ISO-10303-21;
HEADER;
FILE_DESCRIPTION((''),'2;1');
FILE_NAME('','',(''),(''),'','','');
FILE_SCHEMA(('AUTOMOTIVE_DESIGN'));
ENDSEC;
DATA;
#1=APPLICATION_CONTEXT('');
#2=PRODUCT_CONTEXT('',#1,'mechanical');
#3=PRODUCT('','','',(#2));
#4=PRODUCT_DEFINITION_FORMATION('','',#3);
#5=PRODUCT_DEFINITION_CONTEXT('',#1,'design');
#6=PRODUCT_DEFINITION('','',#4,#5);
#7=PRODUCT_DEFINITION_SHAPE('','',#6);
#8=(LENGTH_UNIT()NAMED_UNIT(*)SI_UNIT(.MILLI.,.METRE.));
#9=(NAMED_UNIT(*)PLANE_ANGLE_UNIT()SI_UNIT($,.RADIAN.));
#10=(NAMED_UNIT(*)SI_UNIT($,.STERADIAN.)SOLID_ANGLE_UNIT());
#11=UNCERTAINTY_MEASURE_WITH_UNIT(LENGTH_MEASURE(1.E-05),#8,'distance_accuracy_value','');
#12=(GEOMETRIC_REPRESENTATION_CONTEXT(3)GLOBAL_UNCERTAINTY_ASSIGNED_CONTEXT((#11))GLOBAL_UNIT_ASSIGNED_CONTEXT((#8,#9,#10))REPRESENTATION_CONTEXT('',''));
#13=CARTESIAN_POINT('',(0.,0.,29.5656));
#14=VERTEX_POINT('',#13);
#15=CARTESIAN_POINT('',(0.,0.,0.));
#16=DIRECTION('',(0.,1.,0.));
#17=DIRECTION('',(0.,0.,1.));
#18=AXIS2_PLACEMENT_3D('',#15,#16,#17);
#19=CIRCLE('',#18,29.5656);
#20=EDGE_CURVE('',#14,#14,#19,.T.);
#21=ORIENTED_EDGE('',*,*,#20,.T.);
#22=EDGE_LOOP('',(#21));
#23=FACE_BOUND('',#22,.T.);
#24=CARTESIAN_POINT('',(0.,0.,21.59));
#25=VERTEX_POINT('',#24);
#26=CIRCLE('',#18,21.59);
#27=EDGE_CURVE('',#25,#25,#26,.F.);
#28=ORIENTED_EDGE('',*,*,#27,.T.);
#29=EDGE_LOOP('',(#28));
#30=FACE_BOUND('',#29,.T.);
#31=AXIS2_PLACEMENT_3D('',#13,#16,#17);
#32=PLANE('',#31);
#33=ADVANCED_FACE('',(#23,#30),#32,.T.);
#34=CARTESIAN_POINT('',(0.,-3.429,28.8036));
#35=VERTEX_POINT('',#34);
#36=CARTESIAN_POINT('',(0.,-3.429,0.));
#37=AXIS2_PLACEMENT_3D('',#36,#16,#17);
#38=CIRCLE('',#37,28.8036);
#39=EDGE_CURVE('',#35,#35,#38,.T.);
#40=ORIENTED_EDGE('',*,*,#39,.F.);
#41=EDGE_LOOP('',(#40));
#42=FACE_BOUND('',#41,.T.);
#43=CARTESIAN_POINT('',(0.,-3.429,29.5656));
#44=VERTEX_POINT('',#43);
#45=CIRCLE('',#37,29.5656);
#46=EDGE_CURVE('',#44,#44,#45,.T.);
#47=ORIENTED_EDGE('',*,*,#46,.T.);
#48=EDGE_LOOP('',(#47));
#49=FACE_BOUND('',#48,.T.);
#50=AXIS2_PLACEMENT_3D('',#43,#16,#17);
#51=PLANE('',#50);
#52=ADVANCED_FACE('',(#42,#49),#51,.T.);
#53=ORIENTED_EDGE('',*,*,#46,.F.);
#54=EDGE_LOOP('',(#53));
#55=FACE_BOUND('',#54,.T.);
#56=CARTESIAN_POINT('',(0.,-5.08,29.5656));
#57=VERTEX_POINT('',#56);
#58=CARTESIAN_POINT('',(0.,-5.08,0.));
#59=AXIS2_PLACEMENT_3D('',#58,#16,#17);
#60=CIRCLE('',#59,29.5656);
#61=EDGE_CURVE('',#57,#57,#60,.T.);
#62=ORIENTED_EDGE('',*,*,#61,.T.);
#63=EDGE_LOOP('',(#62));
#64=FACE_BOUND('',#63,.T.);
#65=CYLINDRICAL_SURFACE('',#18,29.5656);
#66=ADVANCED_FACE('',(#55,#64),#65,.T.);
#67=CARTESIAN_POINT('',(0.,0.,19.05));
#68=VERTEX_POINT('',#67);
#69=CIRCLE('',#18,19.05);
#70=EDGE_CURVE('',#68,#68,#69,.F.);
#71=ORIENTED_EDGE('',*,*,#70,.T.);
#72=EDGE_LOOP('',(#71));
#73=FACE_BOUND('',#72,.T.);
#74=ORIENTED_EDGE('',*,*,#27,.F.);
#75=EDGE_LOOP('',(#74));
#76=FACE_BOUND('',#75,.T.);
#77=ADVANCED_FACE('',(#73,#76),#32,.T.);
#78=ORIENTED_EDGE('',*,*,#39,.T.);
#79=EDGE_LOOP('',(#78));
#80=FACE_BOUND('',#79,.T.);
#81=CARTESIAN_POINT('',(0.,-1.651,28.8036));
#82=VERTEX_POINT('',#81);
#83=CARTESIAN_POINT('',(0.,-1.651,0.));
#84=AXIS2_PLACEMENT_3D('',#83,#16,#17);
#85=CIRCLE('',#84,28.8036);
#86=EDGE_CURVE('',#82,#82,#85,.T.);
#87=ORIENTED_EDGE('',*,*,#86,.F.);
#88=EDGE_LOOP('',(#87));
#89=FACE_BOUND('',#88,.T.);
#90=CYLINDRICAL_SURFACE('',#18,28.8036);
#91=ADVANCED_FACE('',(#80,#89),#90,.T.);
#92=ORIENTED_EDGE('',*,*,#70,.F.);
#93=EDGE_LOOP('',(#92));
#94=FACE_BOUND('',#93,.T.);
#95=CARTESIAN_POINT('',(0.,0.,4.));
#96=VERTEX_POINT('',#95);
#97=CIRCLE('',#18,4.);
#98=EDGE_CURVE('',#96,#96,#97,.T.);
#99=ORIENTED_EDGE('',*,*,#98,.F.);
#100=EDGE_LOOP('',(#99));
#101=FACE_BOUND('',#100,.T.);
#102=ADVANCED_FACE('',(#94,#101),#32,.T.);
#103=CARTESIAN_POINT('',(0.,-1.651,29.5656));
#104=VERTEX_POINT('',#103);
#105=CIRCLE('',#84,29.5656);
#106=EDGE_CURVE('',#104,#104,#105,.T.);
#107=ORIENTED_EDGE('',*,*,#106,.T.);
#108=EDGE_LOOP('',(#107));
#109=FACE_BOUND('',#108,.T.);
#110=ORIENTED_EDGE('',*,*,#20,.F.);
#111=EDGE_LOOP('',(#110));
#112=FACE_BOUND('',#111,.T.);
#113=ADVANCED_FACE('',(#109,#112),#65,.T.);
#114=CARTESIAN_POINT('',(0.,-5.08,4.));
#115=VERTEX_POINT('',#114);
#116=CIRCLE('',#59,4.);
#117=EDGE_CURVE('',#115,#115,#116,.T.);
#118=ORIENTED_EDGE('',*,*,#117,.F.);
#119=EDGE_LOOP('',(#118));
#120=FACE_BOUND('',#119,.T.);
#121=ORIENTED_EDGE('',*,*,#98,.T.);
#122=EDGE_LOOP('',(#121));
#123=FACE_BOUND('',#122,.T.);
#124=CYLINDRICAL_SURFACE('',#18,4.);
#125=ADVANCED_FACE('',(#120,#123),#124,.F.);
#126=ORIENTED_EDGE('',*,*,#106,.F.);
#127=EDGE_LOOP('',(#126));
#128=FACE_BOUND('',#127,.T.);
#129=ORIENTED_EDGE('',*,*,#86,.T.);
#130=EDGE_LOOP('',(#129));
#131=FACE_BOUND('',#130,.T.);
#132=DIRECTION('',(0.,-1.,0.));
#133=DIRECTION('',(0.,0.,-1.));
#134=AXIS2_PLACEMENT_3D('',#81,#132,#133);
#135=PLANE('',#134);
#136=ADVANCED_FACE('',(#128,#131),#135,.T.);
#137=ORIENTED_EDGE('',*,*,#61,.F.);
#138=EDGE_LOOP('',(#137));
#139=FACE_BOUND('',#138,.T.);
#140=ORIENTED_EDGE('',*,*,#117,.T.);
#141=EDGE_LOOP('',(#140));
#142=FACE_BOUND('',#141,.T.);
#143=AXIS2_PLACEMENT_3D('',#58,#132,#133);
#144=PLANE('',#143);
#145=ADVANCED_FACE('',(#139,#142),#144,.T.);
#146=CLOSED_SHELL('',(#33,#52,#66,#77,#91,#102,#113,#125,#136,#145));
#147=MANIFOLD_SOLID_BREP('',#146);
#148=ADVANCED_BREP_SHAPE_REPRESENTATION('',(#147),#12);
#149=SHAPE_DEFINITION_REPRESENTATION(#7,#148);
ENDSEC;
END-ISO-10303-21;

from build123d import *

# Parameters (mm, degrees)
F_8_0MM_DOWEL_HOLE1_D = 8


with BuildPart() as part:
    # Sketch1 → Revolve1 (revolve)
    with BuildSketch(Plane(origin=(0, 0, 0), x_dir=(0, 0, -1), z_dir=(1, 0, 0))):
        Polygon((0, 0), (0, -5.08), (-29.5656, -5.08), (-29.5656, -3.429), (-28.8036, -3.429), (-28.8036, -1.651), (-29.5656, -1.651), (-29.5656, 0), align=None)
    revolve(axis=Axis((0, 0, 0), (0, -1, 0)))

    # Ø8.0mm Dowel Hole1 (through all)
    with Locations(Plane(origin=(0, 0, 0), x_dir=(1, 0, 0), z_dir=(0, 1, 0))):
        with Locations((0, 0)):
            Hole(F_8_0MM_DOWEL_HOLE1_D / 2)


solid = part.part
